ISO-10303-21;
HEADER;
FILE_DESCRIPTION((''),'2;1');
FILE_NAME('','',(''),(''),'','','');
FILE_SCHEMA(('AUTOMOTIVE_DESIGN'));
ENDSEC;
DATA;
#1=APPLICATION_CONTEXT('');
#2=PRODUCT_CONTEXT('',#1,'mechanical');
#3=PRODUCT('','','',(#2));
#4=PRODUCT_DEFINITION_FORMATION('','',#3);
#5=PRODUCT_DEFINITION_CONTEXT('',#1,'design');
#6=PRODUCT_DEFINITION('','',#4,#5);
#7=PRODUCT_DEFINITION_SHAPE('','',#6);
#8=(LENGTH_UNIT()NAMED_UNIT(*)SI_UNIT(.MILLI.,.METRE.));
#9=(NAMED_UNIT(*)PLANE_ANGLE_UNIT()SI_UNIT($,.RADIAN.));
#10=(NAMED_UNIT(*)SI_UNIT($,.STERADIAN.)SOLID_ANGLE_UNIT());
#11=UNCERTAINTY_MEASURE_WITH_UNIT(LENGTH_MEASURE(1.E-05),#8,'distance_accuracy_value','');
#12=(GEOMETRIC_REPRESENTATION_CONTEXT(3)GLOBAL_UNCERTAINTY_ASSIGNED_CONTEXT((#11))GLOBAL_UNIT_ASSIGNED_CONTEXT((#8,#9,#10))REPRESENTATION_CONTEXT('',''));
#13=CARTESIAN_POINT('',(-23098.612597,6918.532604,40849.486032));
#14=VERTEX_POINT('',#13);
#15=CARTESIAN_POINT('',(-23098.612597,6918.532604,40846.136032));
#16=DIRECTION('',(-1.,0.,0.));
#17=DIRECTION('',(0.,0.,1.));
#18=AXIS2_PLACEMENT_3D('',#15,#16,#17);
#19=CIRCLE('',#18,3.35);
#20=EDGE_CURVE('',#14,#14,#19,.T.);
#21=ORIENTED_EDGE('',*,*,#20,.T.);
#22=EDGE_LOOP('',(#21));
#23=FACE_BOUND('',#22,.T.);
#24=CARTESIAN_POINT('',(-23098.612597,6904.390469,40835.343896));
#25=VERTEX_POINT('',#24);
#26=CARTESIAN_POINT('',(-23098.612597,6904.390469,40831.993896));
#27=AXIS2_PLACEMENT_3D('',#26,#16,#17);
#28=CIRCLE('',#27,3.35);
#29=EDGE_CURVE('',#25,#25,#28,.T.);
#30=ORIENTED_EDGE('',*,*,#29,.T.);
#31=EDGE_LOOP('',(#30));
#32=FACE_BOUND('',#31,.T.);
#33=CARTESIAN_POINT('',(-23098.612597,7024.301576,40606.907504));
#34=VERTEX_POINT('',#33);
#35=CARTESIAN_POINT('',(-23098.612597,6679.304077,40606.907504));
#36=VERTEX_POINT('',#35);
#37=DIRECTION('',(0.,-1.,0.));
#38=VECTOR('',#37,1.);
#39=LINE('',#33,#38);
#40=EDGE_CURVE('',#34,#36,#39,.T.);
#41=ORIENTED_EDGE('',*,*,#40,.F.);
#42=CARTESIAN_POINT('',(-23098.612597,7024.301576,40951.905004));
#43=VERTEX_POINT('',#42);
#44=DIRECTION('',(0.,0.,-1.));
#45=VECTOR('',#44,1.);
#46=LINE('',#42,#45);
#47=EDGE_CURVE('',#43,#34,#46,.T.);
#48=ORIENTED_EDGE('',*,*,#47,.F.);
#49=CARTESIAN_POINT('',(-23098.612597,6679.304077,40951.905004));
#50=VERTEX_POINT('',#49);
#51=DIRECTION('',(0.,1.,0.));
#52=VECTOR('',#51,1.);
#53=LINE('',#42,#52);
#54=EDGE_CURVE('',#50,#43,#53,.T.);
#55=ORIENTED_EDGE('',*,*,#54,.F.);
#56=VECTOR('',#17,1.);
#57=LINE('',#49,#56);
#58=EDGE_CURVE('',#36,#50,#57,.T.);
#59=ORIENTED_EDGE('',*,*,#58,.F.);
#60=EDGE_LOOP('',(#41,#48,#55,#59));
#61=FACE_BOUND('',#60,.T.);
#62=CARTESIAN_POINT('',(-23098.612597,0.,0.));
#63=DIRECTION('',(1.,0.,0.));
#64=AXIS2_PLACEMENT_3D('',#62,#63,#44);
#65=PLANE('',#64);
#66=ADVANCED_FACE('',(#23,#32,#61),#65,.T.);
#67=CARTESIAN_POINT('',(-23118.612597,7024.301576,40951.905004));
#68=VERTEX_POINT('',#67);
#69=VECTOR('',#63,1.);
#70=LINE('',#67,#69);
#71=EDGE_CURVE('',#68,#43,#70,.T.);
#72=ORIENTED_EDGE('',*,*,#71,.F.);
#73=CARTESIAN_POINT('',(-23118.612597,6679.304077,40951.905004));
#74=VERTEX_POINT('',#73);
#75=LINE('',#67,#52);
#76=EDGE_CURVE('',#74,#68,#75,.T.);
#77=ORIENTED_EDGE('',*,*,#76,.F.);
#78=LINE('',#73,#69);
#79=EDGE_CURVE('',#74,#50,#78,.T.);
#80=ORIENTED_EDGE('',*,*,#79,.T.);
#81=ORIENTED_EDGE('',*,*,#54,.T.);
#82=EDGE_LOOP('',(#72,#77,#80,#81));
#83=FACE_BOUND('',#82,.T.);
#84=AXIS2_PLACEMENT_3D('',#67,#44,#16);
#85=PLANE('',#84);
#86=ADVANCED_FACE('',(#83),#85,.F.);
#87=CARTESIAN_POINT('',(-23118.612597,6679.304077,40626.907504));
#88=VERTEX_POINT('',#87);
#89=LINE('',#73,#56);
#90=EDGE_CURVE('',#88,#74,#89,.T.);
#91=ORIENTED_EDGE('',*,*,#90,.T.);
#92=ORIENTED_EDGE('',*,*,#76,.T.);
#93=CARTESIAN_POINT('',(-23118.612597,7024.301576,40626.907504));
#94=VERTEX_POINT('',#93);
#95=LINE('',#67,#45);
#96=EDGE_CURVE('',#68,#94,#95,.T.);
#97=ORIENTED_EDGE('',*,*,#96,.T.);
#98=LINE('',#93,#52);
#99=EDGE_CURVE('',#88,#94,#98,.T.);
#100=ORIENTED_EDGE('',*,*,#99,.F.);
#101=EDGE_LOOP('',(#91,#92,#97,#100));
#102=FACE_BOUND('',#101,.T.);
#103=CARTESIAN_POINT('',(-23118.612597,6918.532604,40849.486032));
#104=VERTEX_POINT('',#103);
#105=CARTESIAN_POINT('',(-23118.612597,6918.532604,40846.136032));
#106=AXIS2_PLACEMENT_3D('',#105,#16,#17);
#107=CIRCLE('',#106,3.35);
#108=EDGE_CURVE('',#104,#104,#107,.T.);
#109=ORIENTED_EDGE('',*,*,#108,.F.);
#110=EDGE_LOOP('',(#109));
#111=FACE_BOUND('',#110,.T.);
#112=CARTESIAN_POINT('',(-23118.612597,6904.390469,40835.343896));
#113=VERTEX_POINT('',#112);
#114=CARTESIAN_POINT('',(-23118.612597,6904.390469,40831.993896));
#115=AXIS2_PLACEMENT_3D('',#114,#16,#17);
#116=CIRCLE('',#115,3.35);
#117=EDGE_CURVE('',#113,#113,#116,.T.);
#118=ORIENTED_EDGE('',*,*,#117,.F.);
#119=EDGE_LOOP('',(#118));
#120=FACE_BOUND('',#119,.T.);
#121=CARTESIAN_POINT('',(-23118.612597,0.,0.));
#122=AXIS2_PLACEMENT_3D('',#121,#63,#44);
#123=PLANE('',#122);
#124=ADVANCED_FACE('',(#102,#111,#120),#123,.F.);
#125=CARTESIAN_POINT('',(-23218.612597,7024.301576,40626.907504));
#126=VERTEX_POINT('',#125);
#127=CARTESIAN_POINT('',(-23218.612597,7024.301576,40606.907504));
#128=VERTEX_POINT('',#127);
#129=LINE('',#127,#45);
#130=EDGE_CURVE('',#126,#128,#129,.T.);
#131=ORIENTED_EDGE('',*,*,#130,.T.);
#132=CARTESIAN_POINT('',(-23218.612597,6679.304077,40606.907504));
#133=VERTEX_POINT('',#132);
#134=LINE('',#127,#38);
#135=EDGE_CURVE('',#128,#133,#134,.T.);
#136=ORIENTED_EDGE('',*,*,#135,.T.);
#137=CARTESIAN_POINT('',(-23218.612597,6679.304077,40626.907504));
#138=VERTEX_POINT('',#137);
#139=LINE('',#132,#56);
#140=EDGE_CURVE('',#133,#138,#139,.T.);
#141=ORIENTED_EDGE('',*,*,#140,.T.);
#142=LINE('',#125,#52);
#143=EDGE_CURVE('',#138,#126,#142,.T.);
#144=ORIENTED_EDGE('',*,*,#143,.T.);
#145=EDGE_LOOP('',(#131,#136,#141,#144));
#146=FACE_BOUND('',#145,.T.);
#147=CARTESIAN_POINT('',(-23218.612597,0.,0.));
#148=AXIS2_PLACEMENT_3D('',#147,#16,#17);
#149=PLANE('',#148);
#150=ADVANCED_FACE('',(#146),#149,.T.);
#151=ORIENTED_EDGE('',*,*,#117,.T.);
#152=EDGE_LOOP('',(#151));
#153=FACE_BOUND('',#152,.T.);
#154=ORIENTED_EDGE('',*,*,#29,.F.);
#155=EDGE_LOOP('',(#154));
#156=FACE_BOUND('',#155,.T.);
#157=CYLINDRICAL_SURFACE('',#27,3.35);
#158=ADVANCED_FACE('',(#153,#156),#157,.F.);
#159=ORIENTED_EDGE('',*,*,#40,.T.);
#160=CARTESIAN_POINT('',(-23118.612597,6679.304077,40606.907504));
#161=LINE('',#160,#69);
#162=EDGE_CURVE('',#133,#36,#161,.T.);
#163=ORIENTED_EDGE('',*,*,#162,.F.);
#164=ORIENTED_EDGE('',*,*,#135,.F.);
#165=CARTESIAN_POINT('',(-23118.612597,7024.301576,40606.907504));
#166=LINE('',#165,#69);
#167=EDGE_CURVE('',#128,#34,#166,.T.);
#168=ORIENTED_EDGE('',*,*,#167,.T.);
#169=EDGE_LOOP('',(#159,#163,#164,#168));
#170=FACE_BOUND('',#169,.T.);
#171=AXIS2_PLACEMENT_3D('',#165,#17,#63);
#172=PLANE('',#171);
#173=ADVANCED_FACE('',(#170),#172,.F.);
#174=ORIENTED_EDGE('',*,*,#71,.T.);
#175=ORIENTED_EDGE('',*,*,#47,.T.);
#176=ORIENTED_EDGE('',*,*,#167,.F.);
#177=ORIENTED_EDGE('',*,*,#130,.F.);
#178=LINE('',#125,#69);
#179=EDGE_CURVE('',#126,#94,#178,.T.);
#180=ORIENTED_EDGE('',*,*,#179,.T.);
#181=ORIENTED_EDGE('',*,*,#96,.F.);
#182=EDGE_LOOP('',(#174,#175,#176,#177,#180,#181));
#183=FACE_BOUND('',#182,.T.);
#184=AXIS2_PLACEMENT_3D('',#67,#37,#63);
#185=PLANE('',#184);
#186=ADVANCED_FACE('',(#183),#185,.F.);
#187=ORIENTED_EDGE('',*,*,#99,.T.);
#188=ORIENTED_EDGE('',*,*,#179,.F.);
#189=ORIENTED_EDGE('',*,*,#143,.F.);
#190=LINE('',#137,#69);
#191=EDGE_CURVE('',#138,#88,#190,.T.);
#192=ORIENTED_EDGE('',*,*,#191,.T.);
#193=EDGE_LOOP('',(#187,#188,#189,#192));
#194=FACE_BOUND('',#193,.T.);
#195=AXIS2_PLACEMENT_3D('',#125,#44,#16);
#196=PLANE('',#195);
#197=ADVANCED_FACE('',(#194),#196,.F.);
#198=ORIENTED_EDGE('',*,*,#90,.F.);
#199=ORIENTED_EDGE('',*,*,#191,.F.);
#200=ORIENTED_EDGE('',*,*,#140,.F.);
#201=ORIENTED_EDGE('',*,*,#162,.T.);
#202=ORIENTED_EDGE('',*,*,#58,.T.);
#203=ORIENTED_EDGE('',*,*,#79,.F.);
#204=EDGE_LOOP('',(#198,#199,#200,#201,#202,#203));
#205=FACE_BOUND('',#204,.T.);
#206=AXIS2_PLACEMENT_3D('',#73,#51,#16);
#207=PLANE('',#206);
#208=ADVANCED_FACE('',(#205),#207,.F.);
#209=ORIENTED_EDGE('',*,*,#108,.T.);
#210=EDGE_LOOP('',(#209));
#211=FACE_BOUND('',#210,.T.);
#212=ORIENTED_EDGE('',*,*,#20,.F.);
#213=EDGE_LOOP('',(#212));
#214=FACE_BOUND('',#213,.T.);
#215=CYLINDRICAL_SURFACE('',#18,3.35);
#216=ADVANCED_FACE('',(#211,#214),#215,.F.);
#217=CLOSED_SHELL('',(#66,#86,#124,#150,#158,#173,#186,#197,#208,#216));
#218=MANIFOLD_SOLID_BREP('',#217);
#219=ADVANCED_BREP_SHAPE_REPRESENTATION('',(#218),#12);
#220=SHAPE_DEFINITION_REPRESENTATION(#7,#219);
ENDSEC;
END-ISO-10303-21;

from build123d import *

# Parameters (mm, degrees)
SKETCH1_W           = 344.997499296
SKETCH1_H           = 344.997499295
BOSS_EXTRUDE1_DEPTH = 20
SKETCH2_R           = 3.349999998
CUT_EXTRUDE1_DEPTH  = 21
SKETCH3_W           = 20
SKETCH3_H           = 344.997499295
BOSS_EXTRUDE2_DEPTH = 100


with BuildPart() as part:
    # Sketch1 → Boss-Extrude1 (new body)
    with BuildSketch(Plane.ZY.offset(23098.612597115)):
        with Locations((40779.406254132, 6851.802826482)):
            Rectangle(SKETCH1_W, SKETCH1_H)
    extrude(amount=BOSS_EXTRUDE1_DEPTH)

    # Sketch2 → Cut-Extrude1 (cut, through all)
    with BuildSketch(Plane.ZY.offset(23118.612597115)):
        with Locations((40846.136031778, 6918.532604128)):
            Circle(SKETCH2_R)
        with Locations((40831.993896154, 6904.390468504)):
            Circle(SKETCH2_R)
    extrude(amount=-CUT_EXTRUDE1_DEPTH, mode=Mode.SUBTRACT)

    # Sketch3 → Boss-Extrude2 (add)
    with BuildSketch(Plane.ZY.offset(23118.612597115)):
        with Locations((40616.907504484, 6851.802826482)):
            Rectangle(SKETCH3_W, SKETCH3_H)
    extrude(amount=BOSS_EXTRUDE2_DEPTH)


solid = part.part
